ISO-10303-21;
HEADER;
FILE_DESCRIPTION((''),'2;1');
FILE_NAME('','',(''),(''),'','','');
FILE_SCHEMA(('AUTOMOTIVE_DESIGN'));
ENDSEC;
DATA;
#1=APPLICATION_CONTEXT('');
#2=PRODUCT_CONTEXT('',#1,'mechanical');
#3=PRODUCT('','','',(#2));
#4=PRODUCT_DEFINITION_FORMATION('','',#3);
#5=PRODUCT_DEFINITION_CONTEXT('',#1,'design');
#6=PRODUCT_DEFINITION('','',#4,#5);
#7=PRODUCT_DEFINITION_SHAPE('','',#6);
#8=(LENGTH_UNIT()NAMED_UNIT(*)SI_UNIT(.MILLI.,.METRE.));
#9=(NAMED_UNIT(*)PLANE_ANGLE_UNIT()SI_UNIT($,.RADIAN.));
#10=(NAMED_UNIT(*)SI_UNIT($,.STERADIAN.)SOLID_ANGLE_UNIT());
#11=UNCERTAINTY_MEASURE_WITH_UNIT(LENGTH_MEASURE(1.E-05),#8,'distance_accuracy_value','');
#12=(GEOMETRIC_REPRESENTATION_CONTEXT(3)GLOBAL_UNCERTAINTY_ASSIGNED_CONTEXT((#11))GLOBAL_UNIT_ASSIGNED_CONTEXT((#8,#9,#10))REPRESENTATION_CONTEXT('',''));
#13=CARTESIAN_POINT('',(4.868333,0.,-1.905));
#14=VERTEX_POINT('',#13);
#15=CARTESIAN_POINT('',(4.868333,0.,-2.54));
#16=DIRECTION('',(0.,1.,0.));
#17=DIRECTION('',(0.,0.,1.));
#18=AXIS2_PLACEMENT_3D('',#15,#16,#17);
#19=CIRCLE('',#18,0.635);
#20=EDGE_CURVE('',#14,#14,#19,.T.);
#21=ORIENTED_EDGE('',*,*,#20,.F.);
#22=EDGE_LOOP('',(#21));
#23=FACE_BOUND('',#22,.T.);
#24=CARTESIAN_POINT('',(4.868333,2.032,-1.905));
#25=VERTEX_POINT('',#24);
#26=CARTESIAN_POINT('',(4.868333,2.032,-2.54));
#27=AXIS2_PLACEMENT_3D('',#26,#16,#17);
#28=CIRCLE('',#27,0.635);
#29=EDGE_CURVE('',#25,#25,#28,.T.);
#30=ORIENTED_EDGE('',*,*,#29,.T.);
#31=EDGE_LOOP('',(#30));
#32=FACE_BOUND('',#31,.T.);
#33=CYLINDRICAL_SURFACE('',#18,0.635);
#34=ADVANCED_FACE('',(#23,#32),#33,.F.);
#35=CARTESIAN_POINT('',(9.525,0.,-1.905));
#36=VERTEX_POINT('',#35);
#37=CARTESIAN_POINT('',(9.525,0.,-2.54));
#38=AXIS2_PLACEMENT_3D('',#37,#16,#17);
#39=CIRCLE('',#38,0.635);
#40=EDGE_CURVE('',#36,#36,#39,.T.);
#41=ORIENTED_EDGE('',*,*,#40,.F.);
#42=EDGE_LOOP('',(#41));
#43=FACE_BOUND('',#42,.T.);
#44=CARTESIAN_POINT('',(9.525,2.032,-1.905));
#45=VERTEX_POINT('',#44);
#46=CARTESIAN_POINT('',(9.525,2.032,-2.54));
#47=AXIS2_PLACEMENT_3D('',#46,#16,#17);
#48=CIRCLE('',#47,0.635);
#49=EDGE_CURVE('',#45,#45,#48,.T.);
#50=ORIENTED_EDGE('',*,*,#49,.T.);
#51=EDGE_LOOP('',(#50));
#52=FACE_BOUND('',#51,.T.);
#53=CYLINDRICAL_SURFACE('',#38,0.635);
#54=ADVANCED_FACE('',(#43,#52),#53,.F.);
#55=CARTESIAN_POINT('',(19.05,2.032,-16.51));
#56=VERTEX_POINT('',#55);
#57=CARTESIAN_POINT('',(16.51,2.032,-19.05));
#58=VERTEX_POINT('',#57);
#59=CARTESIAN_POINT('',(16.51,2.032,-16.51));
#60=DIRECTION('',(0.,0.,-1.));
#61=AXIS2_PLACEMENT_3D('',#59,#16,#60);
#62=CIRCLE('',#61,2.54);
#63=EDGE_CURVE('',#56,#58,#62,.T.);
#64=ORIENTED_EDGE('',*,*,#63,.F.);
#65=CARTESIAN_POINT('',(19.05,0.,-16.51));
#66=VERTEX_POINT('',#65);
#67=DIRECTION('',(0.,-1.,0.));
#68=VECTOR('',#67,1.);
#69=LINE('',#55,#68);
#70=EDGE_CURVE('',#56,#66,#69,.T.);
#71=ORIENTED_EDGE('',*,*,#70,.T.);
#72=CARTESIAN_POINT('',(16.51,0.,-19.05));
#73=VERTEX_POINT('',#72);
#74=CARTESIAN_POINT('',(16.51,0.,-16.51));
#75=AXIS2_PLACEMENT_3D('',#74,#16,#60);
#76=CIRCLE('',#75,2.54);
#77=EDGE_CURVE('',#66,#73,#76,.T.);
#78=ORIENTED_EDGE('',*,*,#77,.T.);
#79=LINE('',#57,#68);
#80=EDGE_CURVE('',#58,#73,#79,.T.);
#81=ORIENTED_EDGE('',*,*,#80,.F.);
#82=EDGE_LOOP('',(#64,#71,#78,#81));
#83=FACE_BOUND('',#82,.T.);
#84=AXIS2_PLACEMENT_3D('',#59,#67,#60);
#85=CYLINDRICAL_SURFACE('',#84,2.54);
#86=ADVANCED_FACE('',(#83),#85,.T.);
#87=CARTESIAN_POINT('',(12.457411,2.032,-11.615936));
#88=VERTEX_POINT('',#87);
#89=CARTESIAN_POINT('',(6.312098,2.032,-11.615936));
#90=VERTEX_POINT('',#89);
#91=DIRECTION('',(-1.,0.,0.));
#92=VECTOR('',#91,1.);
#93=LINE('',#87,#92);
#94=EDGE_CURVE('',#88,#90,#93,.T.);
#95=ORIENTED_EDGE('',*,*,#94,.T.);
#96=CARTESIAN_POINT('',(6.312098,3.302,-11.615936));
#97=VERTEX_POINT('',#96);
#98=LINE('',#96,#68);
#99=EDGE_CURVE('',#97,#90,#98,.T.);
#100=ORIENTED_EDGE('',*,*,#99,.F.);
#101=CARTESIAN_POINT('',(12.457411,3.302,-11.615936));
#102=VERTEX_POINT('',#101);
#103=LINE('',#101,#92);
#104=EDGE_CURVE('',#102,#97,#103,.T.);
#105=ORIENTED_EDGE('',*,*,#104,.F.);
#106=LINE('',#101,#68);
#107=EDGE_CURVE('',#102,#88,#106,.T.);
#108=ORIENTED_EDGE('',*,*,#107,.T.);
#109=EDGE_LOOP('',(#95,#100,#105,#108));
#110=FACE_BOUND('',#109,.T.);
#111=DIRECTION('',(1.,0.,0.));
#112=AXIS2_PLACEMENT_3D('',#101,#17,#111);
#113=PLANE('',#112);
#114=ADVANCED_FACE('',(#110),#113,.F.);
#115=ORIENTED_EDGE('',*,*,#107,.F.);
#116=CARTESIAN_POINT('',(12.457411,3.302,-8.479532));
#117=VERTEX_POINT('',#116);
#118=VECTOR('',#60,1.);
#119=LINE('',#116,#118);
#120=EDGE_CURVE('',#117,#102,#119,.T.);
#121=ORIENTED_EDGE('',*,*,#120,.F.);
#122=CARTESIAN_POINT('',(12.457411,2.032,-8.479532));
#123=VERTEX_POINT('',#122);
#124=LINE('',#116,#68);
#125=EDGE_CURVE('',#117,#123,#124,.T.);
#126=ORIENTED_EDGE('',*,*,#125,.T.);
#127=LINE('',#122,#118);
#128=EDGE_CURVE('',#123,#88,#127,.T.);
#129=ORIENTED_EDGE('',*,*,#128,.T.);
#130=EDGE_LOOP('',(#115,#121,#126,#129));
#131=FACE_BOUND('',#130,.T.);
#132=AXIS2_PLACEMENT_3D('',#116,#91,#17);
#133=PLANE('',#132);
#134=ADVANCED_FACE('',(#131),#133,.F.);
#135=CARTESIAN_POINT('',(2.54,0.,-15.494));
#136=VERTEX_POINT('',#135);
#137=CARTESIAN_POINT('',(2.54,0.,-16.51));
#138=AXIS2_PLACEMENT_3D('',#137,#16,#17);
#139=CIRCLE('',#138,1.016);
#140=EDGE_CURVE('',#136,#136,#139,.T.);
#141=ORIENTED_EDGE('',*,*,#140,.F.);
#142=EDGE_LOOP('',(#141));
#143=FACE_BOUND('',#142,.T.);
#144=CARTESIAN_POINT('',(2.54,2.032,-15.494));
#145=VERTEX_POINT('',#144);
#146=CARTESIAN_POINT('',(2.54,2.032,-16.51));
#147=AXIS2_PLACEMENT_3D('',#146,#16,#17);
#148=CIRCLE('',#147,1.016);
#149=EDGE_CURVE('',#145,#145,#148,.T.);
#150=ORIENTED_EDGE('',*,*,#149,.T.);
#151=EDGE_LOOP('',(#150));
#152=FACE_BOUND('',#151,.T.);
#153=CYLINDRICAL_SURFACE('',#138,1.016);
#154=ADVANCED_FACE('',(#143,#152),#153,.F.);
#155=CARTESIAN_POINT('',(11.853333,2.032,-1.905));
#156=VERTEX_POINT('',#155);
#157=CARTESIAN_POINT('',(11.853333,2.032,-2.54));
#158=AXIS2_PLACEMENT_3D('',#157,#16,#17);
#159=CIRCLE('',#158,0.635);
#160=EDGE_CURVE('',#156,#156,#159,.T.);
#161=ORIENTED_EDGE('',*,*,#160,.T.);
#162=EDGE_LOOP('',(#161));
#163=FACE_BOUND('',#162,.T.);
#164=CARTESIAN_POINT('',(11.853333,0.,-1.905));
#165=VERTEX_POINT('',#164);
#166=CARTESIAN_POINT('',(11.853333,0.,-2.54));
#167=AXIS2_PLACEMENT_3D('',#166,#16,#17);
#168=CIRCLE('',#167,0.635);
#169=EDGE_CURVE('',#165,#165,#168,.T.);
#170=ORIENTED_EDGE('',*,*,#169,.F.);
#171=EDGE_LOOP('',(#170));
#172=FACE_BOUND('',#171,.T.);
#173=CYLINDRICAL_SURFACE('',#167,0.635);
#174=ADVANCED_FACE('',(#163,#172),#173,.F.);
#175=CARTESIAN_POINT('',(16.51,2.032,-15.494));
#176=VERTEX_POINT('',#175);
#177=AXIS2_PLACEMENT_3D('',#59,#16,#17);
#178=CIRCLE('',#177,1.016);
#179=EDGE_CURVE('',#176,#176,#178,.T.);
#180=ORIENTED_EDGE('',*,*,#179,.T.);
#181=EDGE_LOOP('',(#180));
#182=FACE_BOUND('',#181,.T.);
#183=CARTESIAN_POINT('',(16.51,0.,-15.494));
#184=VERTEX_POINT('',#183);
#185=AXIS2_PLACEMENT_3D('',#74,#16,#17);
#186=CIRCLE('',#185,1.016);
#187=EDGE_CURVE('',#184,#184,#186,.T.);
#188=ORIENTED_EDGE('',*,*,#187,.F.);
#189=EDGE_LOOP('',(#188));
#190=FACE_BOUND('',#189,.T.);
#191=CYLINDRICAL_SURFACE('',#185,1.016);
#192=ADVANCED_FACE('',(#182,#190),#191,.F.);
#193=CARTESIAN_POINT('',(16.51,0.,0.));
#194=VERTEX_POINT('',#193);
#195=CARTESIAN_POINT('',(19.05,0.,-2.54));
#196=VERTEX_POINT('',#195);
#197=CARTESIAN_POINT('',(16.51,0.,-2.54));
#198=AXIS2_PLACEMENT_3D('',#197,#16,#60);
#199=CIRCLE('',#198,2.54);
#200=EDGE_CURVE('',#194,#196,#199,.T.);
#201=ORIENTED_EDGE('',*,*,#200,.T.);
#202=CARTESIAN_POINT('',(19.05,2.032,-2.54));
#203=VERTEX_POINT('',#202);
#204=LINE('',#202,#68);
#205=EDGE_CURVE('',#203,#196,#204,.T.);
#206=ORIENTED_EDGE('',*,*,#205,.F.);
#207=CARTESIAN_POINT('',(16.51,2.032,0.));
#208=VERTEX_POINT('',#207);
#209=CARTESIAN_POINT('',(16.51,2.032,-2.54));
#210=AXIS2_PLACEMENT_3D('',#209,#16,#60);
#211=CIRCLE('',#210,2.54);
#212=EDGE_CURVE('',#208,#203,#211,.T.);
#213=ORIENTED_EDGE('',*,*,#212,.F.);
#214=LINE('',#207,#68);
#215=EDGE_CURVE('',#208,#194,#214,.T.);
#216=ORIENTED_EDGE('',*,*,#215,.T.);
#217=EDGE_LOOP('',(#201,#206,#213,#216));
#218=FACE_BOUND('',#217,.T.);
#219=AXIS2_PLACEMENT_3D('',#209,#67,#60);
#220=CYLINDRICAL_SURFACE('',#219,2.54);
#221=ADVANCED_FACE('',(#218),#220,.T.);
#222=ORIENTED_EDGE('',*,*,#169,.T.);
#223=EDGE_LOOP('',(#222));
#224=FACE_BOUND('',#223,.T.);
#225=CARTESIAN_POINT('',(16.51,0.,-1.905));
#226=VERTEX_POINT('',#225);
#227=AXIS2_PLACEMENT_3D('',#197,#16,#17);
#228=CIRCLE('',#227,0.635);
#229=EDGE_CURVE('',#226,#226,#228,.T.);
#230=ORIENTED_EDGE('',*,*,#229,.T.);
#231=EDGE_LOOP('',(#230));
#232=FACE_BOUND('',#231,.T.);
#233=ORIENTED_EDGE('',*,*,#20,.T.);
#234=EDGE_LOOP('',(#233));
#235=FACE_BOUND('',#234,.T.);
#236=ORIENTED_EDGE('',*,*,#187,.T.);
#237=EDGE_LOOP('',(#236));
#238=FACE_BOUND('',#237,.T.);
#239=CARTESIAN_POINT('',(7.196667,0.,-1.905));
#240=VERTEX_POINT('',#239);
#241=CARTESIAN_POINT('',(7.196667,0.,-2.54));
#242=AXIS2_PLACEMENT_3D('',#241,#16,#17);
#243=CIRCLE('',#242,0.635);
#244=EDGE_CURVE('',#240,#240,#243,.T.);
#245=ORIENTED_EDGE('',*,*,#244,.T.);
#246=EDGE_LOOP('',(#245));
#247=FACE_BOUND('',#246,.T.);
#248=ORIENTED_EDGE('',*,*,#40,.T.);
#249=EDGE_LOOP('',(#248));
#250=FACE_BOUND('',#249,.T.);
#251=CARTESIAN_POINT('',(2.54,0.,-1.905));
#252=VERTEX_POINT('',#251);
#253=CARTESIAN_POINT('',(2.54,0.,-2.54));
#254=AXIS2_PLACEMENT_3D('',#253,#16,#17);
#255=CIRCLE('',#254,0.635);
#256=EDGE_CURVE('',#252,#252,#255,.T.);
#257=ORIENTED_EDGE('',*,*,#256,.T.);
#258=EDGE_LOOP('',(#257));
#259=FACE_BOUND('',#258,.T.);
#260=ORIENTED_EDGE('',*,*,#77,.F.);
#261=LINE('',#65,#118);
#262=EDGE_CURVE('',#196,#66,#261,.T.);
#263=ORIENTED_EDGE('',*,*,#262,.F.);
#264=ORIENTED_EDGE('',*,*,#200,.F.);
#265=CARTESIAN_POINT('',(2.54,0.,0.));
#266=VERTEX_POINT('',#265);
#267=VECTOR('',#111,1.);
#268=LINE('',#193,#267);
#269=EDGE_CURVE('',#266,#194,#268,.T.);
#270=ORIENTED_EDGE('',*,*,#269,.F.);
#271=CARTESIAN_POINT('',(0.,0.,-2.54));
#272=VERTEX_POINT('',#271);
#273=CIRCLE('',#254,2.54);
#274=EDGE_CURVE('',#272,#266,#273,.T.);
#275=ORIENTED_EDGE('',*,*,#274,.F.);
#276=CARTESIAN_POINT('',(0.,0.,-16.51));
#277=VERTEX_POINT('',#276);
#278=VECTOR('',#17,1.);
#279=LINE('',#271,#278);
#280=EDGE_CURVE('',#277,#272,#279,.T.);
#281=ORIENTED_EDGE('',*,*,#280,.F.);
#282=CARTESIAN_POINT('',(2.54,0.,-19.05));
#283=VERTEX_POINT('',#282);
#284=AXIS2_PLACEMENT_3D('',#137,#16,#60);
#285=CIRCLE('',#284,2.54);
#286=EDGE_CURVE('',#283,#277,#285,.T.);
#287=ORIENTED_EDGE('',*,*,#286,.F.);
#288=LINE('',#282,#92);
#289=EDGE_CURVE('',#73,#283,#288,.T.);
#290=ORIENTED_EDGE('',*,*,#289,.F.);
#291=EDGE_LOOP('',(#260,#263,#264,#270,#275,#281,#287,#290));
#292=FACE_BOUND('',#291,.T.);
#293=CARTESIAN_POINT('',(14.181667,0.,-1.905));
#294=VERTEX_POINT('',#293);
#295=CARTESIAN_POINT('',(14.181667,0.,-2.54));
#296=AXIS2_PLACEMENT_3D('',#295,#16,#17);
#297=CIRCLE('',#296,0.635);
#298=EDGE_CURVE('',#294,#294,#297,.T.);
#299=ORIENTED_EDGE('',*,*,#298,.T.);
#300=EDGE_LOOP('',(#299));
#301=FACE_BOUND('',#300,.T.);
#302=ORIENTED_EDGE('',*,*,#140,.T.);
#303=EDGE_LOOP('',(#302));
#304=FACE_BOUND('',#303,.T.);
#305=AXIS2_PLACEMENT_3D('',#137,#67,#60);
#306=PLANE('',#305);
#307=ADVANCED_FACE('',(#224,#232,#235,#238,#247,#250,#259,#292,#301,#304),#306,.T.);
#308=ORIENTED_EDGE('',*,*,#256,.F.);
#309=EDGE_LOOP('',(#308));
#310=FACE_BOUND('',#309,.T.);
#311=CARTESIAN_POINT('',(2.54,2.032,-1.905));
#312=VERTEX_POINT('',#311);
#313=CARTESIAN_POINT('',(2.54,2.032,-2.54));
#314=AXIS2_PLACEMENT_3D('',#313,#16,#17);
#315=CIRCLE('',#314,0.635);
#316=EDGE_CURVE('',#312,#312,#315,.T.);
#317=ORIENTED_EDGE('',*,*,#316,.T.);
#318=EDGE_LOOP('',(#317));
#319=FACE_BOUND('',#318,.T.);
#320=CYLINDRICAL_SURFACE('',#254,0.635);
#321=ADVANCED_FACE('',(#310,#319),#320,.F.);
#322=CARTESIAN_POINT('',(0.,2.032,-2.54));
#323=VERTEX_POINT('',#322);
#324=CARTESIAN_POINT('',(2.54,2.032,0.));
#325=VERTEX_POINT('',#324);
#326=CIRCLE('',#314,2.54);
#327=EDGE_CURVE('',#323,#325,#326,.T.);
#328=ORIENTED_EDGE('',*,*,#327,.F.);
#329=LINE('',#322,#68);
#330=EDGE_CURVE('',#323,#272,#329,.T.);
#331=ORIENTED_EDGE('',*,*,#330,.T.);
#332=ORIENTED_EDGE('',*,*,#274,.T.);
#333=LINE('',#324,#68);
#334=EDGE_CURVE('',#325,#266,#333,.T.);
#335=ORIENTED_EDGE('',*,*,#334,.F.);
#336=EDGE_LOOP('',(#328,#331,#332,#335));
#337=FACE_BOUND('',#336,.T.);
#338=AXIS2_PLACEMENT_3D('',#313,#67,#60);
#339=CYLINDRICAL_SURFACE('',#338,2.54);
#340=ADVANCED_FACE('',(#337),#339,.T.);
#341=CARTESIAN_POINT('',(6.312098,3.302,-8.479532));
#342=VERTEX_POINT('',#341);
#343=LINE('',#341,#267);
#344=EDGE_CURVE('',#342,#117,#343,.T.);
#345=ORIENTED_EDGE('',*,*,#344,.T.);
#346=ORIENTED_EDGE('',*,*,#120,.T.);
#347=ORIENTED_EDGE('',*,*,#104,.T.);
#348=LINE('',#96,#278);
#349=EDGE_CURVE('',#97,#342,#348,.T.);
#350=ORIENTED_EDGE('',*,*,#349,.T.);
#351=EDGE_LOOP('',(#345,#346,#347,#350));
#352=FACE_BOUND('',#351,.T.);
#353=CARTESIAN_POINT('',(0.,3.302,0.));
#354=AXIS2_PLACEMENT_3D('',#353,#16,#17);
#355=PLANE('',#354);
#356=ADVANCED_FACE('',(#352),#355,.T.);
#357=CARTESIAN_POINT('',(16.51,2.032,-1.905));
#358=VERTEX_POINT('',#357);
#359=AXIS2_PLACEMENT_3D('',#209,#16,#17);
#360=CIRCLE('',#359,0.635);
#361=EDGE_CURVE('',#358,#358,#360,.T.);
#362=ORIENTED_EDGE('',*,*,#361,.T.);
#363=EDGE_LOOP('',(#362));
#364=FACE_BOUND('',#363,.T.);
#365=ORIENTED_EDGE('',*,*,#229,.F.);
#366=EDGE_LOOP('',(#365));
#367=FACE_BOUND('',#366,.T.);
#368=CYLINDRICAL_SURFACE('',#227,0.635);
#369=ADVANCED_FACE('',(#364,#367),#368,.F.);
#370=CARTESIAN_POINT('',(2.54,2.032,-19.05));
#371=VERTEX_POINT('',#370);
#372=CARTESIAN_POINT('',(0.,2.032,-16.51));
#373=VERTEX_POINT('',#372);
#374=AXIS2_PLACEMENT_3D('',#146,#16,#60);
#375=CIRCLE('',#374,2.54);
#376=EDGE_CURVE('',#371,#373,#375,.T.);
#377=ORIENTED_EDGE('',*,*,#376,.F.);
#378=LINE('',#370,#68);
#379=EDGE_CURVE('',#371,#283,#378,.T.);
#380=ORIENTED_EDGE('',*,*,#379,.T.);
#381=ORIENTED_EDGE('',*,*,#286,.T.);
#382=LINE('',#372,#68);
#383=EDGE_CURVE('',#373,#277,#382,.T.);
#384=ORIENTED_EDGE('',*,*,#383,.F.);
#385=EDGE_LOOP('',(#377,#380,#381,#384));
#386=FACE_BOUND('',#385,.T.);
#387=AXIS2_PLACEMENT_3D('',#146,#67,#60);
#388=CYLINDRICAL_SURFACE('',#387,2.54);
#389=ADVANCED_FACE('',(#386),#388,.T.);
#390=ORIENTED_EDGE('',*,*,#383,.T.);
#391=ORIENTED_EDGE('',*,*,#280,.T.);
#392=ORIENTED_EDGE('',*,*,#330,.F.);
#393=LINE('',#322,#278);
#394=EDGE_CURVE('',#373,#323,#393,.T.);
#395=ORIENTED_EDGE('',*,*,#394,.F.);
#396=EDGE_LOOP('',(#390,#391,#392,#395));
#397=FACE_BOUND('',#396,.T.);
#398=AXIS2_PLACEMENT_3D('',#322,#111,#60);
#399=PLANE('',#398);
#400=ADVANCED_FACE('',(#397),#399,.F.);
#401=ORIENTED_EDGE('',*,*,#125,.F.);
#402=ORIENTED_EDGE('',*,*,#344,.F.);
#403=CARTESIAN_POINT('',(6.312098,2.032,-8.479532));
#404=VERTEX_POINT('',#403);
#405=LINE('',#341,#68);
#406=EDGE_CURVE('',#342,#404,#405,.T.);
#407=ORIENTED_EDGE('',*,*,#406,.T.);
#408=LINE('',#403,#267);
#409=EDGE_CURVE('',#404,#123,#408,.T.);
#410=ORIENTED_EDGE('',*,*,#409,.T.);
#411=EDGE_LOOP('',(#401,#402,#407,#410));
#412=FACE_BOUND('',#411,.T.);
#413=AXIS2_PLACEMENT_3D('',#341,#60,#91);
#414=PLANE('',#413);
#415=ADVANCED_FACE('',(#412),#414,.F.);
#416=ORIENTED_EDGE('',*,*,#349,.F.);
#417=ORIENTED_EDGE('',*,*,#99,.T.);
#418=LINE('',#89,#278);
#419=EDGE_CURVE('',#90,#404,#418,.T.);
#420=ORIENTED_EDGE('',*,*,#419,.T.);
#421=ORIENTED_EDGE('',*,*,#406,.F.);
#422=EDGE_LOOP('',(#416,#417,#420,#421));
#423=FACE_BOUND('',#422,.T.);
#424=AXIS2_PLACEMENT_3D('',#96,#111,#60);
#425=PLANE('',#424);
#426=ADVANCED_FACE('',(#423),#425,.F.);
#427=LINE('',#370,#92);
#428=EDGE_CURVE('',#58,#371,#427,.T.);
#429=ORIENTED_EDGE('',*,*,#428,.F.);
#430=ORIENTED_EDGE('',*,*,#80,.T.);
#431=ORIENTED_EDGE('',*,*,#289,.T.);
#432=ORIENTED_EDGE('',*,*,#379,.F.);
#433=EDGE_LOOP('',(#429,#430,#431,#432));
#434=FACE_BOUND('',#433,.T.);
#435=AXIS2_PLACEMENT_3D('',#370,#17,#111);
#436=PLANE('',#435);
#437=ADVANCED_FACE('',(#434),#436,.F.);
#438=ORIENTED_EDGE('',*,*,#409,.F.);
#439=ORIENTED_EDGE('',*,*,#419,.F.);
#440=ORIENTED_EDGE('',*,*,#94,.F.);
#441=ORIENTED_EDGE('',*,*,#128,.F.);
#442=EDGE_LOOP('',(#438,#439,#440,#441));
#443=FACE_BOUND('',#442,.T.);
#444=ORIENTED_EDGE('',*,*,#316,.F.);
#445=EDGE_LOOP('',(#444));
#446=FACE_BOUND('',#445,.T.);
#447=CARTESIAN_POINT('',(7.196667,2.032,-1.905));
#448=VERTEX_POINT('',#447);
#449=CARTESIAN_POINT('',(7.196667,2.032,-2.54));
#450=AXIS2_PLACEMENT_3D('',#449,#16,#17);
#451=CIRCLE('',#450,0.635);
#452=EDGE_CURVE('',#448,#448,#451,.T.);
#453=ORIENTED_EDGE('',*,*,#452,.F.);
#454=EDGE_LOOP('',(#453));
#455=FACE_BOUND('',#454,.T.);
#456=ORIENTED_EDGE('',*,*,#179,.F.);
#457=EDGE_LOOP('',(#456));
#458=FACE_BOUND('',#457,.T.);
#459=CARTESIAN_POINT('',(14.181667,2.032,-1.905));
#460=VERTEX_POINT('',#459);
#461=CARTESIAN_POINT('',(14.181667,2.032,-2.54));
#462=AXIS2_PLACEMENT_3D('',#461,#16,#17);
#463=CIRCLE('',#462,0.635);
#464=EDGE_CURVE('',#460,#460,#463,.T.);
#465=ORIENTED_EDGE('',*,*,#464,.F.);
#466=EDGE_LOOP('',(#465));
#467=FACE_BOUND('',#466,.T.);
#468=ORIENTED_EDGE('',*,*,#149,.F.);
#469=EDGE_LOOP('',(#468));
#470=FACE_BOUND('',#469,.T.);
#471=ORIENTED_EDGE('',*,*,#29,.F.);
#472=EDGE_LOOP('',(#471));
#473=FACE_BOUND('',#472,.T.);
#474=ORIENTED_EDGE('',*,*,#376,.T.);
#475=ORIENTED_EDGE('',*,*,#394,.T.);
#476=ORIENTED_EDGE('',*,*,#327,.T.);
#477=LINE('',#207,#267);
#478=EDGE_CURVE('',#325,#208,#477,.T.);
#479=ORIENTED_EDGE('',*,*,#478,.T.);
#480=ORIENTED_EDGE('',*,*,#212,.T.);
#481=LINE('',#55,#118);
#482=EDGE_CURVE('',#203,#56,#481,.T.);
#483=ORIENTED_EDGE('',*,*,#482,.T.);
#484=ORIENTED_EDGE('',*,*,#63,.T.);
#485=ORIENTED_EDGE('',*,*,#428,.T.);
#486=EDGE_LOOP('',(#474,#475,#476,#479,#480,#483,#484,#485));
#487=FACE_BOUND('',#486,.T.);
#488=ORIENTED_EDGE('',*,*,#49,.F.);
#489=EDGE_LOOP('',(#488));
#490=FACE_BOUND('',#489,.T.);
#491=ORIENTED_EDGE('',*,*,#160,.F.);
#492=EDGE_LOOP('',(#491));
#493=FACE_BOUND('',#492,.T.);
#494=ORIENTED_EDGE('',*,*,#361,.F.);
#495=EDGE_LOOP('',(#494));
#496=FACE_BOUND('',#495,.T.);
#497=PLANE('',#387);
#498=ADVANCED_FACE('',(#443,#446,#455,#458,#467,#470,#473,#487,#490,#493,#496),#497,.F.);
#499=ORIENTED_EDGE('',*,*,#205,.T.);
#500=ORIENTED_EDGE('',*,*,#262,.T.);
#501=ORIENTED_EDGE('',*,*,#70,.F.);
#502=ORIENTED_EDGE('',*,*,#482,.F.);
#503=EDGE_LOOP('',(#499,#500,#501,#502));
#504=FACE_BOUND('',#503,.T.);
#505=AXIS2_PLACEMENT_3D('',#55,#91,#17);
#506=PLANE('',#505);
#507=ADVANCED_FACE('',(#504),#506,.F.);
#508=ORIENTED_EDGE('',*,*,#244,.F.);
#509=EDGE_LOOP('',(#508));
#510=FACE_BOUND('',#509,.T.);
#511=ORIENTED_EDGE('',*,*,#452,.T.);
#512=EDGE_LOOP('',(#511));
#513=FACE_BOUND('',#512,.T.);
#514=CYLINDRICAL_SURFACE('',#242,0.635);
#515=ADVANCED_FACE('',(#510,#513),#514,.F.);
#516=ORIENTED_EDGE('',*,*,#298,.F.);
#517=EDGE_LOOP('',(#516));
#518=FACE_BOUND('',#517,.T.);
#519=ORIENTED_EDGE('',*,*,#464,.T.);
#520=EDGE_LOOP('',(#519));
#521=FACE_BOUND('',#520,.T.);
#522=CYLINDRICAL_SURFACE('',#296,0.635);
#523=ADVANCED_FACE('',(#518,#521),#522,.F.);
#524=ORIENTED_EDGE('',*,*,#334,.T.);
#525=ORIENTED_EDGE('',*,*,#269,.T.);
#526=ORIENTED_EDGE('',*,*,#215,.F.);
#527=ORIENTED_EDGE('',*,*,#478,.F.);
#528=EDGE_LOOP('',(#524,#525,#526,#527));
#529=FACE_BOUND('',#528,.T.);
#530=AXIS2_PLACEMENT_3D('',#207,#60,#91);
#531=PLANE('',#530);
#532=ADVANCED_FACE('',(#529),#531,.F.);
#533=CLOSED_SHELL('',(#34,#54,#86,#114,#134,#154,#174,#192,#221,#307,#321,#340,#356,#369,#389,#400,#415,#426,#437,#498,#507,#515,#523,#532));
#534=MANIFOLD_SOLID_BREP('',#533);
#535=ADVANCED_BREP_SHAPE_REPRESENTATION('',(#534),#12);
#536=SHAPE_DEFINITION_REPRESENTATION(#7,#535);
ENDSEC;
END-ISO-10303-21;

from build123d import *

# Parameters (mm, degrees)
BOSS_EXTRUDE1_DEPTH = 2.032
SKETCH2_R           = 1.016
SKETCH2_R_2         = 0.635
CUT_EXTRUDE1_DEPTH  = 3.032
SKETCH3_W           = 6.145312949
SKETCH3_H           = 3.136404534
BOSS_EXTRUDE2_DEPTH = 1.27


with BuildPart() as part:
    # Sketch1 → Boss-Extrude1 (new body)
    with BuildSketch(Plane(origin=(0, 0, 0), x_dir=(1, 0, 0), z_dir=(0, 1, 0))):
        with BuildLine():
            Line((0, 2.54), (0, 16.51))
            ThreePointArc((0, 16.51), (0.743948776, 18.306051224), (2.54, 19.05))
            Line((2.54, 19.05), (16.51, 19.05))
            ThreePointArc((16.51, 19.05), (18.306051224, 18.306051224), (19.05, 16.51))
            Line((19.05, 16.51), (19.05, 2.54))
            ThreePointArc((19.05, 2.54), (18.306051224, 0.743948776), (16.51, 0))
            Line((16.51, 0), (2.54, 0))
            ThreePointArc((2.54, 0), (0.743948776, 0.743948776), (0, 2.54))
        make_face()
    extrude(amount=BOSS_EXTRUDE1_DEPTH)

    # Sketch2 → Cut-Extrude1 (cut, through all)
    with BuildSketch(Plane(origin=(0, 2.032, 0), x_dir=(1, 0, 0), z_dir=(0, 1, 0))):
        with Locations((2.54, 16.51)):
            Circle(SKETCH2_R)
        with Locations((16.51, 16.51)):
            Circle(SKETCH2_R)
        with Locations((2.54, 2.54)):
            Circle(SKETCH2_R_2)
        with Locations((4.868333333, 2.54)):
            Circle(SKETCH2_R_2)
        with Locations((7.196666667, 2.54)):
            Circle(SKETCH2_R_2)
        with Locations((9.525, 2.54)):
            Circle(SKETCH2_R_2)
        with Locations((11.853333333, 2.54)):
            Circle(SKETCH2_R_2)
        with Locations((14.181666667, 2.54)):
            Circle(SKETCH2_R_2)
        with Locations((16.51, 2.54)):
            Circle(SKETCH2_R_2)
    extrude(amount=-CUT_EXTRUDE1_DEPTH, mode=Mode.SUBTRACT)

    # Sketch3 → Boss-Extrude2 (add)
    with BuildSketch(Plane(origin=(0, 2.032, 0), x_dir=(1, 0, 0), z_dir=(0, 1, 0))):
        with Locations((9.384754269, 10.047734089)):
            Rectangle(SKETCH3_W, SKETCH3_H)
    extrude(amount=BOSS_EXTRUDE2_DEPTH)


solid = part.part
